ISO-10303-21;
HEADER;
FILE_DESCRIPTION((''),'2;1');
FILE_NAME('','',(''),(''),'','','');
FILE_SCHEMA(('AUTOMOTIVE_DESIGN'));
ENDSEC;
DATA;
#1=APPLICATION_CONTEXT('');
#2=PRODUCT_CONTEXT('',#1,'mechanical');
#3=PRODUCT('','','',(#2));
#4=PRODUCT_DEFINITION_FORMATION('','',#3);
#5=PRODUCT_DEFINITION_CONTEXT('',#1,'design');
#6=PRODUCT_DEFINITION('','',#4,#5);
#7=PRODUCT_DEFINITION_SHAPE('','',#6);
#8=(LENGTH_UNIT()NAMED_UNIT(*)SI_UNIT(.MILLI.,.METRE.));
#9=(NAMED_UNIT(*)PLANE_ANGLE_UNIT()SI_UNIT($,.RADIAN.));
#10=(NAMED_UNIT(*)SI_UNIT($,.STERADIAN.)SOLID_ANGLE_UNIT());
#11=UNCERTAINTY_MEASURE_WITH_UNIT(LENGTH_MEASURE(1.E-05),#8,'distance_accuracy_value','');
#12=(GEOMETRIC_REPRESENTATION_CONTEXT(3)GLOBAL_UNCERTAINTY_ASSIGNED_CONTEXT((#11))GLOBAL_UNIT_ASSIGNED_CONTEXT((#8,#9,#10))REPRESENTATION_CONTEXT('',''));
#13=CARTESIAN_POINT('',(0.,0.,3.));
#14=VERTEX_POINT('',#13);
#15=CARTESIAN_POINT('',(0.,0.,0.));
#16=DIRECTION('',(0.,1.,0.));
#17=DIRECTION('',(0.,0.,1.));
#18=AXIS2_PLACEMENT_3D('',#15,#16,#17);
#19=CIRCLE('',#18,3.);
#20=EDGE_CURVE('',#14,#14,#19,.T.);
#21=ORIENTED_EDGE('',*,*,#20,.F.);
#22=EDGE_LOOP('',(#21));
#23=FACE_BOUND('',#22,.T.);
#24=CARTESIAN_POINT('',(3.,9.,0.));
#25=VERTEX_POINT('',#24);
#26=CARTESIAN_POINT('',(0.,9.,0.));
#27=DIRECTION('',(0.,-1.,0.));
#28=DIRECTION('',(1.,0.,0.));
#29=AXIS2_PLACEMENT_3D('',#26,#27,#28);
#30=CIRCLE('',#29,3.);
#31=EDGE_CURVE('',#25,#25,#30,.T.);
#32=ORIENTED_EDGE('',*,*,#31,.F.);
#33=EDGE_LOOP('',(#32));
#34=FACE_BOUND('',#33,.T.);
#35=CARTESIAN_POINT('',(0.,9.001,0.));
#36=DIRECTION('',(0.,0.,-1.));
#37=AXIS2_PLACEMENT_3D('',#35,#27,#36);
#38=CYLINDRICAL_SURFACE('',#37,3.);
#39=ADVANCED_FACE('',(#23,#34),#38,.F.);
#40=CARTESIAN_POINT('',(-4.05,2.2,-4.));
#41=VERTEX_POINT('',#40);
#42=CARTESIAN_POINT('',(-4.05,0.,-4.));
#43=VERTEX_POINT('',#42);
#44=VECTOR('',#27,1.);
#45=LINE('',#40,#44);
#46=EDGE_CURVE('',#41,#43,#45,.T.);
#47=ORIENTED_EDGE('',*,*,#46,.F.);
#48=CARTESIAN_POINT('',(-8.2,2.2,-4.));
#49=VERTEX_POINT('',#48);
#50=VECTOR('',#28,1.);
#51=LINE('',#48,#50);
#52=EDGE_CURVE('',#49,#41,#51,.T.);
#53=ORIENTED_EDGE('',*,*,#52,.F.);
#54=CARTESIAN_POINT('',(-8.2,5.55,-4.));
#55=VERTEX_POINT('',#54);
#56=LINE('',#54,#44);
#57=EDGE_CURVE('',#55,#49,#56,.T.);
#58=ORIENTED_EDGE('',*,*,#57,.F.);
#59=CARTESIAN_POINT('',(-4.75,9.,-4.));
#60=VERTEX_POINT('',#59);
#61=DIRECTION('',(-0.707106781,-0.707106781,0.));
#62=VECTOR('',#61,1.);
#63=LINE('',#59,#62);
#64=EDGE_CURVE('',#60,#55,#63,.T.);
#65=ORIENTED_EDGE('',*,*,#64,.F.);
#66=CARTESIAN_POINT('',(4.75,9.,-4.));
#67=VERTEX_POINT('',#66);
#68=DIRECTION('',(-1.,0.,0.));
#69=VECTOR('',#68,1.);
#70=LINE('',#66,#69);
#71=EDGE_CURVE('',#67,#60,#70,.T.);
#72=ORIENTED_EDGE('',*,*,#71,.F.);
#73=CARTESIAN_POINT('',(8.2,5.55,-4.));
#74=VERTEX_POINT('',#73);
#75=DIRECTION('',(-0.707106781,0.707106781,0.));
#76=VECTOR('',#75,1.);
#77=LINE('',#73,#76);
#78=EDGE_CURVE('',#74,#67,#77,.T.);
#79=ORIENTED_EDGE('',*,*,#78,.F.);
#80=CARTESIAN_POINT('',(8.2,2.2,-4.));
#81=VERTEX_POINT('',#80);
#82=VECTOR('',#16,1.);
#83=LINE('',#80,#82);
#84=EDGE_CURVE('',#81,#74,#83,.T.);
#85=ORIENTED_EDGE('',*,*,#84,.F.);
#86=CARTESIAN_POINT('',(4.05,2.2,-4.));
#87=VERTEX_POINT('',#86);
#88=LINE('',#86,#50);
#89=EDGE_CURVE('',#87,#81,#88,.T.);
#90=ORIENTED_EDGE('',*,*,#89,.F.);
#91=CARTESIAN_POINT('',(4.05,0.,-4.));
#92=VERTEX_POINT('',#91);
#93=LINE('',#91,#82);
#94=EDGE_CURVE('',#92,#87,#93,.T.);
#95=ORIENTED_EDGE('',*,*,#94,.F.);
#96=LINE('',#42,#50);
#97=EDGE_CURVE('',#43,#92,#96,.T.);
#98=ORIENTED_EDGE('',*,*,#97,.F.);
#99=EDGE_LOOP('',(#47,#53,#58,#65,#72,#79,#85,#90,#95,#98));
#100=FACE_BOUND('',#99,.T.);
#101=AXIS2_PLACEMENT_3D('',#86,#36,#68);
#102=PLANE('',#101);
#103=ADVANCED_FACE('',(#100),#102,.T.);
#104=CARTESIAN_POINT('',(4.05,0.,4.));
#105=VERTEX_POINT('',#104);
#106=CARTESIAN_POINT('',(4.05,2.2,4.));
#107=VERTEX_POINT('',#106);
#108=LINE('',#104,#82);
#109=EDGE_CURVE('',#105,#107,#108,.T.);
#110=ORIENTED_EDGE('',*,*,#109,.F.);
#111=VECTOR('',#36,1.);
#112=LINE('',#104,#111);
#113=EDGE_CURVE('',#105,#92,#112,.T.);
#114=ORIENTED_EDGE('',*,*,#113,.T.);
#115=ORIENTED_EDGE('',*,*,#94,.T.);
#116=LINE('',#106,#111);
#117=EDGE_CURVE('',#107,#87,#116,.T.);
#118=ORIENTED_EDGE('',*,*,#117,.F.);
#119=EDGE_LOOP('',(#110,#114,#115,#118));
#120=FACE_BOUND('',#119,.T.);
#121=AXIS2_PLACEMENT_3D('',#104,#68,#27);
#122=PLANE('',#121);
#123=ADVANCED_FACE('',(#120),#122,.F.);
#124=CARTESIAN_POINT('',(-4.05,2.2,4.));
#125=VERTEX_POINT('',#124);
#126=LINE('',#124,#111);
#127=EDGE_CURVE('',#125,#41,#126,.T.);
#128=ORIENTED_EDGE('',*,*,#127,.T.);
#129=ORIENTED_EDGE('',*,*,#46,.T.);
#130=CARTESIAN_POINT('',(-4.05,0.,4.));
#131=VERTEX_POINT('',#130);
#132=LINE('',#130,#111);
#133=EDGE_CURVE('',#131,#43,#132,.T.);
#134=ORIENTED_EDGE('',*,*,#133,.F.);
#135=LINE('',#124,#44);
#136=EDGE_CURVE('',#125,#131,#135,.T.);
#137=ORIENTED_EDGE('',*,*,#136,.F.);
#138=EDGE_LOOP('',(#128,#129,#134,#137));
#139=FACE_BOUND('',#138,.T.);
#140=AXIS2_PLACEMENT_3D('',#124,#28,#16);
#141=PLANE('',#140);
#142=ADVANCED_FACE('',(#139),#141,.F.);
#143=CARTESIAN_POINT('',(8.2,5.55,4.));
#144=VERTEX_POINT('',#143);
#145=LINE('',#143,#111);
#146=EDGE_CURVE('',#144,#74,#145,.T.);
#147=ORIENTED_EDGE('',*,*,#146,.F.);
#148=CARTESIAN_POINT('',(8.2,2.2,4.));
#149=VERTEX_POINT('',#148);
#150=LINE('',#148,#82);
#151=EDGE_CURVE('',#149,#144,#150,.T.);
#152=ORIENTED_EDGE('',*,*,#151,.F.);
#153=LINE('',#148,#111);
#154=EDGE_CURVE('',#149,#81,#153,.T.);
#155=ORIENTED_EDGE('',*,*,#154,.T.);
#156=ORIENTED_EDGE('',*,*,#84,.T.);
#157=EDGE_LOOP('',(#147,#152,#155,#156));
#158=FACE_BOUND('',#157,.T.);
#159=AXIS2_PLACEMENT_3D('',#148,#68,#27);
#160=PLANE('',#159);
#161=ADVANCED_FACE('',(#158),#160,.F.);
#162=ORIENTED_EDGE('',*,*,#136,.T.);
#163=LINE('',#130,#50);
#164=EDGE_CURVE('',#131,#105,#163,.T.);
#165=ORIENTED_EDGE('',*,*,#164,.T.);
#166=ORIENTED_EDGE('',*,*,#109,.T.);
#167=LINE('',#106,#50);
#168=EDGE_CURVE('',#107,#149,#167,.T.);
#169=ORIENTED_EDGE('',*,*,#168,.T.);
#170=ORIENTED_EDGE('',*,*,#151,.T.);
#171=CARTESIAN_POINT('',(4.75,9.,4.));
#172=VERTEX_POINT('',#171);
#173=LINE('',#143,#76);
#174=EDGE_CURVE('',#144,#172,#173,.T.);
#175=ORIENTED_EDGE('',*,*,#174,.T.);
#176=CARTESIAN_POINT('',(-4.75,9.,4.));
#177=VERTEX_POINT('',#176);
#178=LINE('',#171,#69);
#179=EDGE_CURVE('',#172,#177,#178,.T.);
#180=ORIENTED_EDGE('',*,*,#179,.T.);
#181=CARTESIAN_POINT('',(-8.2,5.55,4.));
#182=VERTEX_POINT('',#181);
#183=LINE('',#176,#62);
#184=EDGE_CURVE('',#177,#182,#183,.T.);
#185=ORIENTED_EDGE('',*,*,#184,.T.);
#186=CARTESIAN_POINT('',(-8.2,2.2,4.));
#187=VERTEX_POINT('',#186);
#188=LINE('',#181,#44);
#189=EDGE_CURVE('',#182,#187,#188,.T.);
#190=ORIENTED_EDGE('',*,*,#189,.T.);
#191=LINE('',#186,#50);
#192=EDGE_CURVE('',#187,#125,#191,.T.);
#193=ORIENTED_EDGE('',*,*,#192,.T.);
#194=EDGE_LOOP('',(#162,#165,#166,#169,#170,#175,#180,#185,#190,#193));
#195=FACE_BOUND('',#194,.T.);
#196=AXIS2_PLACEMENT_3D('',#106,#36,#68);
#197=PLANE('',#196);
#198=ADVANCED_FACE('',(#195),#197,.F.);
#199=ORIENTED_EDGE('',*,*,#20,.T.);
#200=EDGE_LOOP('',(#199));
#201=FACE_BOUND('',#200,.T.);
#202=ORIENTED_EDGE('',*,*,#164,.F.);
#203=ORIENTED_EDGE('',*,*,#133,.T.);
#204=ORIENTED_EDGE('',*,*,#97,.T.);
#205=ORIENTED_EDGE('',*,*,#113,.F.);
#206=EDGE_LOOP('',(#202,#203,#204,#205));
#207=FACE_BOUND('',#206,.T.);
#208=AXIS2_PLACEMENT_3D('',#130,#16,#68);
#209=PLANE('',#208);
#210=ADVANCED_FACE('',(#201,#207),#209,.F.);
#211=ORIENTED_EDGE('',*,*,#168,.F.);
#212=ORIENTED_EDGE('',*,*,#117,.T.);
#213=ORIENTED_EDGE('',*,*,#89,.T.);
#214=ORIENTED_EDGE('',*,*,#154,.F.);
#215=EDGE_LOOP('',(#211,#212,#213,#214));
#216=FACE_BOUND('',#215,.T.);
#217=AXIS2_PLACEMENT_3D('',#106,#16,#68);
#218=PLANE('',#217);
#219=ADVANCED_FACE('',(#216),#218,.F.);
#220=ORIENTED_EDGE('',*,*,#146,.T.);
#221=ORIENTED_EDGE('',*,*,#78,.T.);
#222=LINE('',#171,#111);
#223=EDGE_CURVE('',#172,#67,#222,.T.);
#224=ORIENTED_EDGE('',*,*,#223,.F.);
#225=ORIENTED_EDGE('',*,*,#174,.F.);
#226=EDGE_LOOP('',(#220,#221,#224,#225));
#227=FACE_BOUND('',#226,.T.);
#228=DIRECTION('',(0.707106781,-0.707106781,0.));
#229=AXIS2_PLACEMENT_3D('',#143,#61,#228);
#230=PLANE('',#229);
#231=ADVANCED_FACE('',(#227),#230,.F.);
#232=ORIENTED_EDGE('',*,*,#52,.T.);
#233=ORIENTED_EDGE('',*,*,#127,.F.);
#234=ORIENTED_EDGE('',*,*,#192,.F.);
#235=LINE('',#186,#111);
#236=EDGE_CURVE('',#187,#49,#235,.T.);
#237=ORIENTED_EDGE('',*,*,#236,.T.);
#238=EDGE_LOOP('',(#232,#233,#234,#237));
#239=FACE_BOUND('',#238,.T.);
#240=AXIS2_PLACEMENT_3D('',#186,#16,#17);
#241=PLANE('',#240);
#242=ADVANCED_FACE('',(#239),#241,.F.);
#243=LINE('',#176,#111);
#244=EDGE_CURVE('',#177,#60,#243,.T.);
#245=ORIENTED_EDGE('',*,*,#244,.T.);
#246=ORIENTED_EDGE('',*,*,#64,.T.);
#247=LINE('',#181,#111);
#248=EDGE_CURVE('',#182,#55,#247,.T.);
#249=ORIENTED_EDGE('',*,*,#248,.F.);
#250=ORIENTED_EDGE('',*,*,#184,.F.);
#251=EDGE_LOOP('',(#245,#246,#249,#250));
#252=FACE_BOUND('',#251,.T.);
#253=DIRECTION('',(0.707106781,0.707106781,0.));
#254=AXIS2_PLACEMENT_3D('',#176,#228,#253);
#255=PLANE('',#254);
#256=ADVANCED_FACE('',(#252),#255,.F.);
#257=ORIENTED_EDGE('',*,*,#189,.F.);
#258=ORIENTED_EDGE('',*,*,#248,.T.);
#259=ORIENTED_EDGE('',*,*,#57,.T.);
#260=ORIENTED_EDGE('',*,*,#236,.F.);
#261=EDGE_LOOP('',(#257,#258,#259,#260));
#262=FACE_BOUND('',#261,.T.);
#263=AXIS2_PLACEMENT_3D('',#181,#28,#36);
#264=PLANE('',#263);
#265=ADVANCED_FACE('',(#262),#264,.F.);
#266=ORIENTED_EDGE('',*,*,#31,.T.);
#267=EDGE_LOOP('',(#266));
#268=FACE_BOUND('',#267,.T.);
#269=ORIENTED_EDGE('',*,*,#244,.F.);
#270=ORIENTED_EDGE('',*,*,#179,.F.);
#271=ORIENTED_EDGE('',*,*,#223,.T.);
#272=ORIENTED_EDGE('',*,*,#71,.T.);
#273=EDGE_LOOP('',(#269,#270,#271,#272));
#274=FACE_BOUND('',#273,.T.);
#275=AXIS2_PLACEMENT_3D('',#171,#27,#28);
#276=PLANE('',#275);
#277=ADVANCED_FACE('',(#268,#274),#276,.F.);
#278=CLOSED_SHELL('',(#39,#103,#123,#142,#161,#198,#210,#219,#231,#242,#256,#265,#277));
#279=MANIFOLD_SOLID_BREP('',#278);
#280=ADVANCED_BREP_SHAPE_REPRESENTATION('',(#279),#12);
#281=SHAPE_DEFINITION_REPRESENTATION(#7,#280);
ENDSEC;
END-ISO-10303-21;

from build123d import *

# Parameters (mm, degrees)
EXTRUDE1_DEPTH     = 4
CUT_EXTRUDE1_REACH = 14.816
SKETCH2_R          = 3


with BuildPart() as part:
    # Sketch1 → Extrude1 (new, symmetric)
    with BuildSketch(Plane.XY):
        Polygon((-4.05, 0), (4.05, 0), (4.05, 2.2), (8.2, 2.2), (8.2, 5.55), (4.75, 9), (-4.75, 9), (-8.2, 5.55), (-8.2, 2.2), (-4.05, 2.2), align=None)
    extrude(amount=EXTRUDE1_DEPTH, both=True)

    # Sketch2 → Cut-Extrude1 (cut, up to next)
    with BuildSketch(Plane(origin=(0, 0, 0), x_dir=(1, 0, 0), z_dir=(0, 1, 0)), mode=Mode.PRIVATE) as cut_extrude1_sk1:
        Circle(SKETCH2_R)
    cut_extrude1_tool1 = extrude(cut_extrude1_sk1.sketch, amount=CUT_EXTRUDE1_REACH, mode=Mode.PRIVATE) & part.part
    add(cut_extrude1_tool1.solids().sort_by_distance((0, 0, 0))[0], mode=Mode.SUBTRACT)


solid = part.part
